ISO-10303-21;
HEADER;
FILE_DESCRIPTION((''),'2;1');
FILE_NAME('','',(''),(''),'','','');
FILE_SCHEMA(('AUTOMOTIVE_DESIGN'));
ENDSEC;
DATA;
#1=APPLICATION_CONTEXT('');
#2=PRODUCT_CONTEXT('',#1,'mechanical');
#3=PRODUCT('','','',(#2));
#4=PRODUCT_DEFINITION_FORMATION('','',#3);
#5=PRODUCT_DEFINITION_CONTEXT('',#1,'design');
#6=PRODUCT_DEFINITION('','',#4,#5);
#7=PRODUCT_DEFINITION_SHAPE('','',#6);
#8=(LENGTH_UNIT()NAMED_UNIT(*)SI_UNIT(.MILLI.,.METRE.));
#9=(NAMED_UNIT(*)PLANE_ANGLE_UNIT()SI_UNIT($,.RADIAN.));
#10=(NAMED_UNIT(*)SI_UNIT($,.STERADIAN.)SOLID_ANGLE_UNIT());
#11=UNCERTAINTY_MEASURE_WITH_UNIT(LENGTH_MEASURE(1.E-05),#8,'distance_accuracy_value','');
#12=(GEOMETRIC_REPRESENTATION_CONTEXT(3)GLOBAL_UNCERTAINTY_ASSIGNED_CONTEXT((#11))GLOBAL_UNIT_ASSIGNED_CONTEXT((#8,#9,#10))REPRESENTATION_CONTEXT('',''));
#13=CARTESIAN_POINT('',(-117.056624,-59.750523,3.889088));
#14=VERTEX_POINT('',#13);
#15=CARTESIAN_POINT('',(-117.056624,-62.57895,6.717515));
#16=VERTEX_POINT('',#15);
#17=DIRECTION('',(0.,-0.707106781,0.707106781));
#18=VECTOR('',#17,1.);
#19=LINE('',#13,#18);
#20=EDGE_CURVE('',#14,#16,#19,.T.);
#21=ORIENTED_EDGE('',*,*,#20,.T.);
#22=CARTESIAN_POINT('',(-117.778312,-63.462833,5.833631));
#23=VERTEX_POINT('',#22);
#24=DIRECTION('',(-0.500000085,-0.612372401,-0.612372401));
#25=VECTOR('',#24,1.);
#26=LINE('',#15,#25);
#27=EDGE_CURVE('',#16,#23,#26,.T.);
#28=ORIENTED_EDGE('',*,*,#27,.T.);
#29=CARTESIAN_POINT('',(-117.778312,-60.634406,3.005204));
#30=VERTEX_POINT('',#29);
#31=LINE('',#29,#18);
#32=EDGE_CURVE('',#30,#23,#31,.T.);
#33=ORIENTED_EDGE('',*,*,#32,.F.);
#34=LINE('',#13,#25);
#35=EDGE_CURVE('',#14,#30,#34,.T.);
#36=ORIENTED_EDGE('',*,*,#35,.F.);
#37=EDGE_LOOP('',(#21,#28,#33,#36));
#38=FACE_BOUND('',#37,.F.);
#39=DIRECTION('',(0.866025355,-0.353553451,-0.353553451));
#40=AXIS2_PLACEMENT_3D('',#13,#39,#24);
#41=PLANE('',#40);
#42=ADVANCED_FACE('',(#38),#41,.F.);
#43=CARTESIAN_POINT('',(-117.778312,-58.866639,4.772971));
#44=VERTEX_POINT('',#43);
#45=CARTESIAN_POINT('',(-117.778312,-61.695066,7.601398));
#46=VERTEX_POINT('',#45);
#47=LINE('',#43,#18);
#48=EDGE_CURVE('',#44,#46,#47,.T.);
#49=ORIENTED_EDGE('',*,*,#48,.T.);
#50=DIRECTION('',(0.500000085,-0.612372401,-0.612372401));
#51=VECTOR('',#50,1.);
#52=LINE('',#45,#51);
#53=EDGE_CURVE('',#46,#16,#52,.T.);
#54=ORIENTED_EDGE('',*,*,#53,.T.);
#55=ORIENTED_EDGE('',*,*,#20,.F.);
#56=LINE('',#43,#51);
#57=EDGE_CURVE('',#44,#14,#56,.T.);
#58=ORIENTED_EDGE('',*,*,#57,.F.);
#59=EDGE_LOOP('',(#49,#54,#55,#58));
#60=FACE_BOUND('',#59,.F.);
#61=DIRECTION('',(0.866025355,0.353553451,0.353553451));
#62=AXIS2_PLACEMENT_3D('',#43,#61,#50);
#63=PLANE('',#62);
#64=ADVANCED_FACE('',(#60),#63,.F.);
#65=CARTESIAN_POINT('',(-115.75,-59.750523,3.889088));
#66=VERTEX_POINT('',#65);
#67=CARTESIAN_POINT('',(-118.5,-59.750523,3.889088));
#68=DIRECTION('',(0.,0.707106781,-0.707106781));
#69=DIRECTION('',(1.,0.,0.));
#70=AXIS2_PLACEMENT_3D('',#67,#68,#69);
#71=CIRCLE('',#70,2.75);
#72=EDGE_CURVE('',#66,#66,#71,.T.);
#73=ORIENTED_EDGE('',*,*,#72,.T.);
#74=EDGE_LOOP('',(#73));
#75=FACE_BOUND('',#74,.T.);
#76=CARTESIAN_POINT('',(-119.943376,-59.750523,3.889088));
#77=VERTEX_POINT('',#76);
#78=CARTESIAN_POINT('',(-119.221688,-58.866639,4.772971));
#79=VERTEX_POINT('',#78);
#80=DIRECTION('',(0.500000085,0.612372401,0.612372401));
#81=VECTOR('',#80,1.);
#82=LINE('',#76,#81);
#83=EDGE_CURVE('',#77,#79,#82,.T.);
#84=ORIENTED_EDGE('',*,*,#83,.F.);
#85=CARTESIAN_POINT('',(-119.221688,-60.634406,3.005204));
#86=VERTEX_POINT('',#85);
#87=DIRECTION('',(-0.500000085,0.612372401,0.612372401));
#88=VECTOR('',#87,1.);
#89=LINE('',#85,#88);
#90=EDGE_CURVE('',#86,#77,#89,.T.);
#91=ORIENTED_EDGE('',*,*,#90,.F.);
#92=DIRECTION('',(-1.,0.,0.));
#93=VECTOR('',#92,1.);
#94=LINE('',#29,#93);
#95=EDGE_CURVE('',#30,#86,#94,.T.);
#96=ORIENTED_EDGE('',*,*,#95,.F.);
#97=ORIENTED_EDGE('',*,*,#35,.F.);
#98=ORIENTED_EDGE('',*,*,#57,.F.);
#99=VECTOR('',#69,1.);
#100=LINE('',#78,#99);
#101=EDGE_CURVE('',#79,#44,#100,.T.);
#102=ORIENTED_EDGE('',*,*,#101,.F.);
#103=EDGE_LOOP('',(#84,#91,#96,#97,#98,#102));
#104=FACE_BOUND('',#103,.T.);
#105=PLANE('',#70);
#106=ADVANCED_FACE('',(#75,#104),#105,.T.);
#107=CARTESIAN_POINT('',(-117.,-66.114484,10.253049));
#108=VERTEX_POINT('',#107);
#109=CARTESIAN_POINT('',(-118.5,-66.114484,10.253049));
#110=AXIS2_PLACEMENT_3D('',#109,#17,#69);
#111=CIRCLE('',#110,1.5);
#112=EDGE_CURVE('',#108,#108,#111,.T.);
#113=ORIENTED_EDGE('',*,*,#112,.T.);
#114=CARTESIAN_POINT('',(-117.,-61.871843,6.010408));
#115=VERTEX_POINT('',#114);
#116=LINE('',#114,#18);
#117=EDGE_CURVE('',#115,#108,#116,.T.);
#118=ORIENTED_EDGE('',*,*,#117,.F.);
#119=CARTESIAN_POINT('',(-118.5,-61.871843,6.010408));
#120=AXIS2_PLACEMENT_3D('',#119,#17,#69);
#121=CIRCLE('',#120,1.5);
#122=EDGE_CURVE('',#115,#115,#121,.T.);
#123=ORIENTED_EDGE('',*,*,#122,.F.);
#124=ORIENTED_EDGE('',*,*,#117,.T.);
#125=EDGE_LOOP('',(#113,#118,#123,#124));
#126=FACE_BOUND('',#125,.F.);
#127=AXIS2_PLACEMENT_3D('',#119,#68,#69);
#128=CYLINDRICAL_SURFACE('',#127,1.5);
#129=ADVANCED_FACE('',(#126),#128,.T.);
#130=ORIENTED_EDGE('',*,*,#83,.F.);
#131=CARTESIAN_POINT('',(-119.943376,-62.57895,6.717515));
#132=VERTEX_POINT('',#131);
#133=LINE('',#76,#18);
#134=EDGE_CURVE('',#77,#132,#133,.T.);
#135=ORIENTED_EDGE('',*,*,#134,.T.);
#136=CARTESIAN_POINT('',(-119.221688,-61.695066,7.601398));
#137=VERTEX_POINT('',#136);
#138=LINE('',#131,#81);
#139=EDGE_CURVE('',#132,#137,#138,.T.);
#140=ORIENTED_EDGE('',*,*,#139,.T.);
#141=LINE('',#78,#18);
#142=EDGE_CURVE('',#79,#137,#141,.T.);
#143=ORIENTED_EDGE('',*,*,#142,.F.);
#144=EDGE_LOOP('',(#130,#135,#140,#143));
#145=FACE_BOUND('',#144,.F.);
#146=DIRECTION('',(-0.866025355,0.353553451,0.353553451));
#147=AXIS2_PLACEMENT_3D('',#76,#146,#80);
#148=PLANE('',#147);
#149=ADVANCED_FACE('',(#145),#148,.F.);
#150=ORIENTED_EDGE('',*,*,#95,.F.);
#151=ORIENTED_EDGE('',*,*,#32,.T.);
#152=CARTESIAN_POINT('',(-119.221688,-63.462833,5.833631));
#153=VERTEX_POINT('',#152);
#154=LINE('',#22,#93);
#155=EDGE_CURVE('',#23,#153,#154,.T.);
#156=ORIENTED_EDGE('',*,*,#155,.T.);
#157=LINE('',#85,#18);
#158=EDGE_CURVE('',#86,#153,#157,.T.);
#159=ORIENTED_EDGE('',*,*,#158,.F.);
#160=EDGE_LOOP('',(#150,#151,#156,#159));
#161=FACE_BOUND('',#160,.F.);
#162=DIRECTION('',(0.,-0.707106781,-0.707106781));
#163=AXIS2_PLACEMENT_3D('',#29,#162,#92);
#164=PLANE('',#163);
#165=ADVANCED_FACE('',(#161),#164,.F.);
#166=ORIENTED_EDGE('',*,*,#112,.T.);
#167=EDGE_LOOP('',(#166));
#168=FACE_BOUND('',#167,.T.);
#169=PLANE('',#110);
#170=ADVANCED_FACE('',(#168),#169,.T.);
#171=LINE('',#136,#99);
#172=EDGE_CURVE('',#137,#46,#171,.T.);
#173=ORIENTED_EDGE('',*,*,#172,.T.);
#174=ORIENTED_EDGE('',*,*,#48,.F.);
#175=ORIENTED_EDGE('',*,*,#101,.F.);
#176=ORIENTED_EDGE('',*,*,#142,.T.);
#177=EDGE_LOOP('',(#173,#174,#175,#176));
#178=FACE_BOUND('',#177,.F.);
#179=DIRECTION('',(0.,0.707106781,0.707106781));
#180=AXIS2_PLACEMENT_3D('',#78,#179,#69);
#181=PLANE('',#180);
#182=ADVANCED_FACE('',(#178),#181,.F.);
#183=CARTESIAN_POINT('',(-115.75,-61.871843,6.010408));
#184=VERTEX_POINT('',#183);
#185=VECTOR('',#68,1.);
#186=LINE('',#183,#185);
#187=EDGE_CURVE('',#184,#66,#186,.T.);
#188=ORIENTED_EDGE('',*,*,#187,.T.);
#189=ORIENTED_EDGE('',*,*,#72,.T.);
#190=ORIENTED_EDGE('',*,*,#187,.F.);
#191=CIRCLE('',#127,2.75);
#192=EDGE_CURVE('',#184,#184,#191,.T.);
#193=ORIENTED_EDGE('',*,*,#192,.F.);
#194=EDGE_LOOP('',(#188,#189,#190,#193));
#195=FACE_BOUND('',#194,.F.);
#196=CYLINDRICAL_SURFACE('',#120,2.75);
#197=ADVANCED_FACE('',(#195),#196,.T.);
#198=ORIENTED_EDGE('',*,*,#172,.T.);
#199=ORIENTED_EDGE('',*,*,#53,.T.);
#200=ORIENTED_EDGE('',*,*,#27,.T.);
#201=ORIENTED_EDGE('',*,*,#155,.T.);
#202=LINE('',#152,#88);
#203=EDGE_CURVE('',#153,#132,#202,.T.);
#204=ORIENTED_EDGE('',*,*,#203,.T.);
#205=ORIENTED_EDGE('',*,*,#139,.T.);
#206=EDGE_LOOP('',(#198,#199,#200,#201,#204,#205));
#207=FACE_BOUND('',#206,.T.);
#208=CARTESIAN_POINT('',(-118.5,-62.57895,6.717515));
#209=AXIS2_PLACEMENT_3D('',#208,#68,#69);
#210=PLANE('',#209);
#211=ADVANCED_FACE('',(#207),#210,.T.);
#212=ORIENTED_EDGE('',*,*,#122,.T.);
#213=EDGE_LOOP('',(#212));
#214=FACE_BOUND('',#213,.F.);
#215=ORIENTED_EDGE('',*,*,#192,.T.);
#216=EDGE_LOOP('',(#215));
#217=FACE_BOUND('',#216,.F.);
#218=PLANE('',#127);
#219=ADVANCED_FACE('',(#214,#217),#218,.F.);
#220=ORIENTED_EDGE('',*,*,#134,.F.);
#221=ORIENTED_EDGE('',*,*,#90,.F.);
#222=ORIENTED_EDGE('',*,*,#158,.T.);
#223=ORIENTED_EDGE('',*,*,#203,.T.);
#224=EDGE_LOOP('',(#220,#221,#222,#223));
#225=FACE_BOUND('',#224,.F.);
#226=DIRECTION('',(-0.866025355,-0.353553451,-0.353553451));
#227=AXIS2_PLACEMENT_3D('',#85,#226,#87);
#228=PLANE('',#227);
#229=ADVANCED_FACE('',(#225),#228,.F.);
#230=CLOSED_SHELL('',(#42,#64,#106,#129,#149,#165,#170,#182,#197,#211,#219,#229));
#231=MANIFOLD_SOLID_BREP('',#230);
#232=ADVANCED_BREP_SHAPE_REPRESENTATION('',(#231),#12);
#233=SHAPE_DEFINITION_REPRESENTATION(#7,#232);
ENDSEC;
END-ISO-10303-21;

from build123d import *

# Parameters (mm, degrees)
SKETCH036_R             = 2.75
PAD021_DEPTH            = 3
SKETCH037_R             = 1.5
PAD022_DEPTH            = 6
POCKET017_DEPTH         = 4
BODY010_PLACEMENT_ANGLE = 225


with BuildPart() as part:
    # Sketch036 → Pad021 (new body)
    with BuildSketch(Plane.XY):
        Circle(SKETCH036_R)
    extrude(amount=PAD021_DEPTH)

    # Sketch037 (on Face2 of Pad021) → Pad022 (join)
    with BuildSketch(Plane(origin=(0, 0, 0), x_dir=(1, 0, 0), z_dir=(0, 0, -1))):
        Circle(SKETCH037_R)
    extrude(amount=PAD022_DEPTH)

    # Sketch038 (on DatumPlane) → Pocket017 (cut)
    with BuildSketch(Plane.XY.offset(3)):
        Polygon((0.721688, -1.25), (1.443376, 0), (0.721688, 1.25), (-0.721688, 1.25), (-1.443376, 0), (-0.721688, -1.25), align=None)
    extrude(amount=-POCKET017_DEPTH, mode=Mode.SUBTRACT)


with BuildPart() as part_1:
    # Body010 placement: moved
    add(part.part.moved(Location((-118.5, -61.871843, 6.010408))).rotate(Axis((-118.5, -61.871843, 6.010408), (1, 0, 0)), BODY010_PLACEMENT_ANGLE))


solid = part_1.part
